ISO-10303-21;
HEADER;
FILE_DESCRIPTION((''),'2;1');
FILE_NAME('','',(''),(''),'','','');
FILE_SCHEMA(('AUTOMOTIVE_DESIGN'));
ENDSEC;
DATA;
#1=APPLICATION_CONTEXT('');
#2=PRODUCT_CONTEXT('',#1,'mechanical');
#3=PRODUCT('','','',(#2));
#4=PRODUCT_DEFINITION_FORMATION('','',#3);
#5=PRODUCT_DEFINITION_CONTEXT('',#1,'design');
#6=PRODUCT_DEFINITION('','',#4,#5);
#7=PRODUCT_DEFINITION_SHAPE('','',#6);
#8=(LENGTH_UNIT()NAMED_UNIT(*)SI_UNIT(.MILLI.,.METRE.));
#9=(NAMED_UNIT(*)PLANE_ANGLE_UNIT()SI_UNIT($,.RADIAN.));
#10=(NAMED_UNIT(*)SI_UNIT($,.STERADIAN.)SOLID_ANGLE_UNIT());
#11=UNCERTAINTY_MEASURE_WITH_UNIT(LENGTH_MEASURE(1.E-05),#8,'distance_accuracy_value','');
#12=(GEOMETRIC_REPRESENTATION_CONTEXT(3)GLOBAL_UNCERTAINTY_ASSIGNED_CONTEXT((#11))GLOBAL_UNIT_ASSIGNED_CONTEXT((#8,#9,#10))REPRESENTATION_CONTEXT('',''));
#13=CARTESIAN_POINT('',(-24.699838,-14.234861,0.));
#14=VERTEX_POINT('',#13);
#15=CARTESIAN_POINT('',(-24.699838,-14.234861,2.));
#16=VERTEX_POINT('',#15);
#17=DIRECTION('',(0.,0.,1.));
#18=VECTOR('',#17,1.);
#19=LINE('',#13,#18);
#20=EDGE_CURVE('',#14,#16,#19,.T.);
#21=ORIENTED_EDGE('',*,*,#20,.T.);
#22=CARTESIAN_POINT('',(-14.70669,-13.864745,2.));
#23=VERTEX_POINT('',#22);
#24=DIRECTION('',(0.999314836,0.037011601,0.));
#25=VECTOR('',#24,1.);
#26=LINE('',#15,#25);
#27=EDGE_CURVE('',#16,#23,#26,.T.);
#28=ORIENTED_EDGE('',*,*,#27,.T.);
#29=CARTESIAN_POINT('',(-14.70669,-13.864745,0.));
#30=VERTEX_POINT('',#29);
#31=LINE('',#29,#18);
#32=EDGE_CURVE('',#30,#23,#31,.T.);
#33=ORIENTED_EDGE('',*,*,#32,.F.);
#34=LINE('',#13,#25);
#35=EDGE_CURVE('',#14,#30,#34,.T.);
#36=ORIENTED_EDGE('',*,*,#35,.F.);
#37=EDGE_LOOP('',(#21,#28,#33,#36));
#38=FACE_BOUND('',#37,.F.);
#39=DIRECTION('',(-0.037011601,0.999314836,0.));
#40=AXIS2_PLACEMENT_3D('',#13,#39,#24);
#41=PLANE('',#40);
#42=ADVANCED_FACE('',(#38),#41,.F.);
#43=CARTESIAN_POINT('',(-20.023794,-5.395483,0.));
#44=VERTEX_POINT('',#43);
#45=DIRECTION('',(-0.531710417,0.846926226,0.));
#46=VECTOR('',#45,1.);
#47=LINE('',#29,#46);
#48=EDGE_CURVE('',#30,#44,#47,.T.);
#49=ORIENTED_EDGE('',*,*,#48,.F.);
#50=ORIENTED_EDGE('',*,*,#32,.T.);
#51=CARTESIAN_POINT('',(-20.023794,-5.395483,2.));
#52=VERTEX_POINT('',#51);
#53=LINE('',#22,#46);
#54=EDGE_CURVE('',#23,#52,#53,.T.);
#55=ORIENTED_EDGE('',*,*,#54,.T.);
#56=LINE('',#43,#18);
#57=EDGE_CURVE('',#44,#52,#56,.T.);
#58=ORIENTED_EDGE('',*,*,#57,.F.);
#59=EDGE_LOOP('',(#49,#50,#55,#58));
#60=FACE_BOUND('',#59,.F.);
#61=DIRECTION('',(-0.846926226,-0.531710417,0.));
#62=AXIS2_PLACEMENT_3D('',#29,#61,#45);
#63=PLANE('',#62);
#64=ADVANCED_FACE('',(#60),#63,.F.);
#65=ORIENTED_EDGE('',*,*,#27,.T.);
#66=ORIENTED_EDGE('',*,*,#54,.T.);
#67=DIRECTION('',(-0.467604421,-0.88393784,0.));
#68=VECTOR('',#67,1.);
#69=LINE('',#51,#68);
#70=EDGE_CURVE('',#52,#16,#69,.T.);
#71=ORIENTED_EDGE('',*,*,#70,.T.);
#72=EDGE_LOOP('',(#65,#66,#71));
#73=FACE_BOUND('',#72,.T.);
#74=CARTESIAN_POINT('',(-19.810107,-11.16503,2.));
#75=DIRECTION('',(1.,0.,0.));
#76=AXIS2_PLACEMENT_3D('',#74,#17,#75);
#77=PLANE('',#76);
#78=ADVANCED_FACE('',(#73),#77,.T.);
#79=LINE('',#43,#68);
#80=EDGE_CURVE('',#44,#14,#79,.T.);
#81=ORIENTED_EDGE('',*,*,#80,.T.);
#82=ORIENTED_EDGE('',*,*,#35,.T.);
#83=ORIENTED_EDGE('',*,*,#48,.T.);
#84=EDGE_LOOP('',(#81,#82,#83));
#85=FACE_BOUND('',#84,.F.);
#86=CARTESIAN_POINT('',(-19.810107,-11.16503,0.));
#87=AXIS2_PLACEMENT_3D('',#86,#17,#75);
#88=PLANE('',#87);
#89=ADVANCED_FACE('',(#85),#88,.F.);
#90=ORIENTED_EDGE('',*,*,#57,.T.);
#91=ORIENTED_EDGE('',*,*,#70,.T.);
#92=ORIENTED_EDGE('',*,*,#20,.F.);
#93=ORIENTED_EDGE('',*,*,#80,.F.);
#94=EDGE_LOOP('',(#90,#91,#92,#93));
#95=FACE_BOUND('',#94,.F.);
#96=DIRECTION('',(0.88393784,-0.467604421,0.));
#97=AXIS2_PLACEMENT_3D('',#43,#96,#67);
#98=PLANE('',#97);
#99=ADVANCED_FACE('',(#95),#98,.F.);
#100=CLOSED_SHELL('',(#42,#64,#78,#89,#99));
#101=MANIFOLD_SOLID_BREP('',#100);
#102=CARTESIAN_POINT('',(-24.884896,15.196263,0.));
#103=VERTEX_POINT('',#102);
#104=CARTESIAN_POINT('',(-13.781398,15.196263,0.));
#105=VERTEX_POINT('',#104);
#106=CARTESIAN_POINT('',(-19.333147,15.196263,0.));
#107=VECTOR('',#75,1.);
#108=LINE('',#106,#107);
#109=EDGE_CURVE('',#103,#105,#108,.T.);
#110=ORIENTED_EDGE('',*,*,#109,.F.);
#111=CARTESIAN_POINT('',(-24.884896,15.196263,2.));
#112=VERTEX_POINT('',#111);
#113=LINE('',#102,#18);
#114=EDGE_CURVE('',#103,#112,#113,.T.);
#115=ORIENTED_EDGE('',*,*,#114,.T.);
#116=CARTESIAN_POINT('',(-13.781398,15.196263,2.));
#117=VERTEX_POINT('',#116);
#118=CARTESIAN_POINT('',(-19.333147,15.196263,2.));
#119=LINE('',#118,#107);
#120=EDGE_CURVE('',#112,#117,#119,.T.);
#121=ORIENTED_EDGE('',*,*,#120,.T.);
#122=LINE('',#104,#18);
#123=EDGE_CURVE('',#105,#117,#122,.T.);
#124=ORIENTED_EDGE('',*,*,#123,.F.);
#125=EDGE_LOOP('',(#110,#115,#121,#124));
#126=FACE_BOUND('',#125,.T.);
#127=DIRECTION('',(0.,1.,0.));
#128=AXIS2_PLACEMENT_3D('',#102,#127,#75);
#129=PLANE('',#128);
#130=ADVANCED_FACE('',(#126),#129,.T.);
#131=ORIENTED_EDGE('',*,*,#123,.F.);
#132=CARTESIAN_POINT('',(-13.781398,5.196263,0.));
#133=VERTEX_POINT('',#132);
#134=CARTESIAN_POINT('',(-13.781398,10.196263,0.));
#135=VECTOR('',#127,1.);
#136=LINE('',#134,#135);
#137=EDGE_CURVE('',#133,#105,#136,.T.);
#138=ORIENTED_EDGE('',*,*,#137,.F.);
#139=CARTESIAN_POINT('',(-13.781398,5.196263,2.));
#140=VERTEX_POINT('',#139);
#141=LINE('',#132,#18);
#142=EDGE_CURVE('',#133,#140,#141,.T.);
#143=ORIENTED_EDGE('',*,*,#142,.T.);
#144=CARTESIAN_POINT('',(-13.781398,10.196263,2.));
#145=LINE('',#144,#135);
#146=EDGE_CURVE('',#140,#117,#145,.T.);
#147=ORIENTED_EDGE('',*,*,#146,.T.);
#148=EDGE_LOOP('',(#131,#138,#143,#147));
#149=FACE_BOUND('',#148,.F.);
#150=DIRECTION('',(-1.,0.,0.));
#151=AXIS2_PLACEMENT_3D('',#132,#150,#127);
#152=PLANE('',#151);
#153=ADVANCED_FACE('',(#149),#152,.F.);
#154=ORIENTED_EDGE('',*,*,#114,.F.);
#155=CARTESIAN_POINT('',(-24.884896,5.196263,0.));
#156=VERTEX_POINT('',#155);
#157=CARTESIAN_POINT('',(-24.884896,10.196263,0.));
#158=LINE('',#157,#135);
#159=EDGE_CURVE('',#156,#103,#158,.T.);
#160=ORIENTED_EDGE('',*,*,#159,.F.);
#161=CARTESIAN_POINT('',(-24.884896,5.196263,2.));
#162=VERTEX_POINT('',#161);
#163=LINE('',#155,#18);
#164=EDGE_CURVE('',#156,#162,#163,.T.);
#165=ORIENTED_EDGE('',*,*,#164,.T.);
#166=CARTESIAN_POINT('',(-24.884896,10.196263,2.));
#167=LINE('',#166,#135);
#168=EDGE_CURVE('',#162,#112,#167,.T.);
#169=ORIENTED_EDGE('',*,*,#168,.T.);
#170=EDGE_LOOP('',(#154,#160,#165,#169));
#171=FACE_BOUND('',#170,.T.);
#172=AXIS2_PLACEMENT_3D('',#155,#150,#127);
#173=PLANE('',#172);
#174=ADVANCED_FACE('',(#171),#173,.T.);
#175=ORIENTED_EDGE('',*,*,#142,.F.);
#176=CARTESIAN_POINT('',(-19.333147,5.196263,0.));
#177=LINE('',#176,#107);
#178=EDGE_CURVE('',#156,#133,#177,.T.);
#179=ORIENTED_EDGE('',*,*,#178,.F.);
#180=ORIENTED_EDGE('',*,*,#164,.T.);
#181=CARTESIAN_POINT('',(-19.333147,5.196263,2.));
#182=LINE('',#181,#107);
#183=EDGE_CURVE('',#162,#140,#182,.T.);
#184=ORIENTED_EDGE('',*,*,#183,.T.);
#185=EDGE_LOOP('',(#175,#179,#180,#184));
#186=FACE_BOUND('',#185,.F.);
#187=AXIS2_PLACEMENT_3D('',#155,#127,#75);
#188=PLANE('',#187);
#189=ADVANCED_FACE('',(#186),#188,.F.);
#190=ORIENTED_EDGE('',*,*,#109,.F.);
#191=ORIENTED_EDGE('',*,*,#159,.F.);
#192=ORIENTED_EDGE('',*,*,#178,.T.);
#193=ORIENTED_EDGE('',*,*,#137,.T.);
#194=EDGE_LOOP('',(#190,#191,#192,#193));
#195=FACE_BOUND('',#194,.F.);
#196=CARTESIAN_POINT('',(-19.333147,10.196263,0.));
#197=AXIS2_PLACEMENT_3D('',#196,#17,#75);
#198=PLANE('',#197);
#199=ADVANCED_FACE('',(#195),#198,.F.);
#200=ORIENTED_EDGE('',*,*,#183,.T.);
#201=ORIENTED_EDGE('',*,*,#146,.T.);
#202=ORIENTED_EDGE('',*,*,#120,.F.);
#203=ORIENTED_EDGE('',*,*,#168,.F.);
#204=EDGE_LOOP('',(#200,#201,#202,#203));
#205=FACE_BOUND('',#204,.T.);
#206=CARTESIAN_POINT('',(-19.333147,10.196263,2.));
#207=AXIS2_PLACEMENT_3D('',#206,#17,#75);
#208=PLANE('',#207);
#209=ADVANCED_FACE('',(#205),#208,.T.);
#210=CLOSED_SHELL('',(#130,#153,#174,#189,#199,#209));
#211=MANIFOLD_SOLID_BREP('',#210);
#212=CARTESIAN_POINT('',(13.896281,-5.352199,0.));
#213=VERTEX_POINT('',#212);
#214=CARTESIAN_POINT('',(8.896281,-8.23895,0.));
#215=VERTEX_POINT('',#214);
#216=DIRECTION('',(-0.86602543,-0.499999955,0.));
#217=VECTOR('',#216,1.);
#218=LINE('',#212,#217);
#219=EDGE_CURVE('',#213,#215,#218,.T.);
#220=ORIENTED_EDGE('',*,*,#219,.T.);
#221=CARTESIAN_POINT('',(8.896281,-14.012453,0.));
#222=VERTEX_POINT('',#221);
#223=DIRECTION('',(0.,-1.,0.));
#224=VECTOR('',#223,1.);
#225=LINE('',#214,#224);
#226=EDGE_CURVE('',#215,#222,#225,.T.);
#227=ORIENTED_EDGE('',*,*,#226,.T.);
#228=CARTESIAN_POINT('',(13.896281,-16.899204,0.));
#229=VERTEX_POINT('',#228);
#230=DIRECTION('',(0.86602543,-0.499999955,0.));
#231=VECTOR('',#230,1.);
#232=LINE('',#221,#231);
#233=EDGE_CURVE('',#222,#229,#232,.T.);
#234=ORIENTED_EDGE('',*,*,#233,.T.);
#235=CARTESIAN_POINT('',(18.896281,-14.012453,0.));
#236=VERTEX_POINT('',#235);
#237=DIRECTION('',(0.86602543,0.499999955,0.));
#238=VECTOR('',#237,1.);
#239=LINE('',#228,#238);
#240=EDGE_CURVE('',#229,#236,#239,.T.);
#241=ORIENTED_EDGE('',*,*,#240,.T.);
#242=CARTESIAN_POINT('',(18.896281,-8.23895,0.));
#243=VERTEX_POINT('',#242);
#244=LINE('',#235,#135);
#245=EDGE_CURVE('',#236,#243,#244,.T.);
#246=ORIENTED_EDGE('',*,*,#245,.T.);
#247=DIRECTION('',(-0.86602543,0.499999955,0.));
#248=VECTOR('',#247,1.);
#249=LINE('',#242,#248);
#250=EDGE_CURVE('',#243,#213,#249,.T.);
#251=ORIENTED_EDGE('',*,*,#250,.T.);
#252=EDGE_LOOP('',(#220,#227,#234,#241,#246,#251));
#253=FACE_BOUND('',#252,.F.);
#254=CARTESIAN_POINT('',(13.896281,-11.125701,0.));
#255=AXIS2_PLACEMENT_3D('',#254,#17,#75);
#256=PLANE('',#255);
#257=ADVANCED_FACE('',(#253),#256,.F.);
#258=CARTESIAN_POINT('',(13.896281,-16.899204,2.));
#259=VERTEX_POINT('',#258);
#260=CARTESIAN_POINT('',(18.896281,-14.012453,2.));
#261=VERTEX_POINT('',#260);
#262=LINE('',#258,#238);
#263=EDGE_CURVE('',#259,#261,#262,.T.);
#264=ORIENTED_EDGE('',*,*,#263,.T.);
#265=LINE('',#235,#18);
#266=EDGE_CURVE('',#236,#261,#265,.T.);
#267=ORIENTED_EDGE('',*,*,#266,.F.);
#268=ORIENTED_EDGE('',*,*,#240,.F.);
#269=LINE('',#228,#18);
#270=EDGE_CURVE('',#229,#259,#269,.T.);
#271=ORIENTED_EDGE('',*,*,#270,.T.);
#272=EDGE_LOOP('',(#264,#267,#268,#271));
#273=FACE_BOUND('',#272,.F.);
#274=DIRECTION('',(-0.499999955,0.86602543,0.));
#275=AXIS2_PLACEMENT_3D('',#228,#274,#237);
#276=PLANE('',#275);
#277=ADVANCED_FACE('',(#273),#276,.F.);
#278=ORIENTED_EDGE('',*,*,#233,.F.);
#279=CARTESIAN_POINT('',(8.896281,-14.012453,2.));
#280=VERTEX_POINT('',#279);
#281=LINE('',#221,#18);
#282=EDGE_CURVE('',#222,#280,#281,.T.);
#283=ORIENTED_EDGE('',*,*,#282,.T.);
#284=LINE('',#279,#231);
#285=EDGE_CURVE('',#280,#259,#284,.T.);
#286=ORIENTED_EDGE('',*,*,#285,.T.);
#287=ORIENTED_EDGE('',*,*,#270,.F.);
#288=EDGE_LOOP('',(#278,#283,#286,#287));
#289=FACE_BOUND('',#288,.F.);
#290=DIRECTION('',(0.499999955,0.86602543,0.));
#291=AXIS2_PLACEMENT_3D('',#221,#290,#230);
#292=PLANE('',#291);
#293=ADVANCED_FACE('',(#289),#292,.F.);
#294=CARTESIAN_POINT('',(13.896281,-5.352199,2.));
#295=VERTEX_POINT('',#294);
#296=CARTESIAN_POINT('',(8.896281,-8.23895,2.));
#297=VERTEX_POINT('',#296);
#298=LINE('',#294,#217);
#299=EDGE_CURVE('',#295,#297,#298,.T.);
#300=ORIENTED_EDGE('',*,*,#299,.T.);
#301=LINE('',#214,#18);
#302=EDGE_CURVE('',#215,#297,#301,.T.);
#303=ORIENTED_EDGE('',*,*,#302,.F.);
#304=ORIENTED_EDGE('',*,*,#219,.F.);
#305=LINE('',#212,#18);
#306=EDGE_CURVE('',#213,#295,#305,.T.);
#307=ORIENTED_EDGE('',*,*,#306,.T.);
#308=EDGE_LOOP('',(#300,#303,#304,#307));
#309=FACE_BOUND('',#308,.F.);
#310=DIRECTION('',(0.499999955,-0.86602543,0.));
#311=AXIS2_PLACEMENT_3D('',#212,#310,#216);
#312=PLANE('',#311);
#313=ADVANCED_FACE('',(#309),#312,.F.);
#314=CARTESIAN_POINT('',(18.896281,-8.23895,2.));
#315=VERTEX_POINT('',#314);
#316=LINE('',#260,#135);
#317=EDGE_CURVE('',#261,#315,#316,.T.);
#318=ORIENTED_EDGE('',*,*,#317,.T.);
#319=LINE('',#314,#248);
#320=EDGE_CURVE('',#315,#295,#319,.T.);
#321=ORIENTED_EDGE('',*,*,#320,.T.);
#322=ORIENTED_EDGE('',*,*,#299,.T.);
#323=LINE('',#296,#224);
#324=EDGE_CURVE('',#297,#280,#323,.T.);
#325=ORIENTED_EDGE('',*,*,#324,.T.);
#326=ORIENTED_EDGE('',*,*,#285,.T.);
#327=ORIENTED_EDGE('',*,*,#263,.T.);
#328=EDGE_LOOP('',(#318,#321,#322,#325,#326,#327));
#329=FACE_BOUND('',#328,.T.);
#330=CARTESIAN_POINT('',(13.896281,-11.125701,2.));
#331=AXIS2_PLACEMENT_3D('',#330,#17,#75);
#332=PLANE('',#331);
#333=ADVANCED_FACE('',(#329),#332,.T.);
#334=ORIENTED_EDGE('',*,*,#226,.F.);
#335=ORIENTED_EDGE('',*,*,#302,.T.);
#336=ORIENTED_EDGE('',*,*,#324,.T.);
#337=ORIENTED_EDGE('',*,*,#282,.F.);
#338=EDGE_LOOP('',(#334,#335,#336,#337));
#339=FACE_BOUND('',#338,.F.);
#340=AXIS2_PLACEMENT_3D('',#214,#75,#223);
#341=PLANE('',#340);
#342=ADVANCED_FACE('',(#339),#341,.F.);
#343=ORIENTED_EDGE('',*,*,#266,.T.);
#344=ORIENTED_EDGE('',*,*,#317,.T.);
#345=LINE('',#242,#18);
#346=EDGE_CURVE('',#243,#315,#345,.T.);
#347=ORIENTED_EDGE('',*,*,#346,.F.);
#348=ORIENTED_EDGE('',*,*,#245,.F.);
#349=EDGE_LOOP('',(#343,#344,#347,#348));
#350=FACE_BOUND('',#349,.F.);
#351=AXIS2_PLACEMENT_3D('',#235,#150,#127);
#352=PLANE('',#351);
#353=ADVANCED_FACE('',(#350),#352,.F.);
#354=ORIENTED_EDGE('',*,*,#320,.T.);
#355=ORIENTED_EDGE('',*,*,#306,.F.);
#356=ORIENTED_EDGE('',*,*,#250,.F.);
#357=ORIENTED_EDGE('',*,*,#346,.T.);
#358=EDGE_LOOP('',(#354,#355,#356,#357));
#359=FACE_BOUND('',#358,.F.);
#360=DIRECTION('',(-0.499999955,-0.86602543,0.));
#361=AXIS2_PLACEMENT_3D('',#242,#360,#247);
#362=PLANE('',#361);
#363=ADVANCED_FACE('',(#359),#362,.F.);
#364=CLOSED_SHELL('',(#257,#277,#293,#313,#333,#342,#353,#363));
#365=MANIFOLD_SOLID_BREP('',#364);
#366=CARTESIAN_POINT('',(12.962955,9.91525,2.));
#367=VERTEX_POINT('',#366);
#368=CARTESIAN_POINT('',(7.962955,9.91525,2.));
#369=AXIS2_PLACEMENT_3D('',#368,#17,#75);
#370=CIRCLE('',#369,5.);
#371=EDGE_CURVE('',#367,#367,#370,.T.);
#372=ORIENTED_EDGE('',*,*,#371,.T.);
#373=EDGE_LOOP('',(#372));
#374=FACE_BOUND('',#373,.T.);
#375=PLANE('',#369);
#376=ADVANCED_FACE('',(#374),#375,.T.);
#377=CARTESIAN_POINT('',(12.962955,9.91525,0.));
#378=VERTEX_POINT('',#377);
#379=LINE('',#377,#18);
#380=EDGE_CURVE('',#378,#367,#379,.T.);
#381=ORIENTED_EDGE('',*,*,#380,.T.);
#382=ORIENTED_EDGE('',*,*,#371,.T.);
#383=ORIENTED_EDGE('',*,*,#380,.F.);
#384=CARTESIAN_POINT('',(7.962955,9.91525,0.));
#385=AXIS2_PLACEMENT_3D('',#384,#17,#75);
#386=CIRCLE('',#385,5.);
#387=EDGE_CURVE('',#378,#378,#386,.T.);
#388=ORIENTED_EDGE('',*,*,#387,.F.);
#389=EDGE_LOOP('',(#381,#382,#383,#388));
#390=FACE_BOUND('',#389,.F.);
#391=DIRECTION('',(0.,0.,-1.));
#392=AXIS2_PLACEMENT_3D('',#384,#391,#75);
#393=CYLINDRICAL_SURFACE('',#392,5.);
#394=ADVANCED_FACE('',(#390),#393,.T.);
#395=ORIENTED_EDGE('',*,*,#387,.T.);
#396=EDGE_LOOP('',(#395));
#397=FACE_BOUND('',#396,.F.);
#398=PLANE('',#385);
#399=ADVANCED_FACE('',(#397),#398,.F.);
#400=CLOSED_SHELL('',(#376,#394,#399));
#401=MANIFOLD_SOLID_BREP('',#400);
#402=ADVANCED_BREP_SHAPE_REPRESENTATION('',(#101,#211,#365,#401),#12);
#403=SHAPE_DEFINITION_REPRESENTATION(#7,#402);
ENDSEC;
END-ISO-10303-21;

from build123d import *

# Parameters (mm, degrees)
F0_W     = 11.103499
F0_H     = 10
F0_R     = 5
F1_DEPTH = 2


with BuildPart() as f1:
    # F0 (on Top) → F1 (new body)
    with BuildSketch(Plane.XY):
        Polygon((-20.023794, -5.395483), (-24.699838, -14.234861), (-14.70669, -13.864745), align=None)
        with Locations((-19.333147, 10.196263)):
            Rectangle(F0_W, F0_H)
        with Locations((7.962955, 9.91525)):
            Circle(F0_R)
        Polygon((18.896281, -14.012453), (18.896281, -8.23895), (13.896281, -5.352199), (8.896281, -8.23895), (8.896281, -14.012453), (13.896281, -16.899204), align=None)
    extrude(amount=F1_DEPTH)


solid = f1.part
